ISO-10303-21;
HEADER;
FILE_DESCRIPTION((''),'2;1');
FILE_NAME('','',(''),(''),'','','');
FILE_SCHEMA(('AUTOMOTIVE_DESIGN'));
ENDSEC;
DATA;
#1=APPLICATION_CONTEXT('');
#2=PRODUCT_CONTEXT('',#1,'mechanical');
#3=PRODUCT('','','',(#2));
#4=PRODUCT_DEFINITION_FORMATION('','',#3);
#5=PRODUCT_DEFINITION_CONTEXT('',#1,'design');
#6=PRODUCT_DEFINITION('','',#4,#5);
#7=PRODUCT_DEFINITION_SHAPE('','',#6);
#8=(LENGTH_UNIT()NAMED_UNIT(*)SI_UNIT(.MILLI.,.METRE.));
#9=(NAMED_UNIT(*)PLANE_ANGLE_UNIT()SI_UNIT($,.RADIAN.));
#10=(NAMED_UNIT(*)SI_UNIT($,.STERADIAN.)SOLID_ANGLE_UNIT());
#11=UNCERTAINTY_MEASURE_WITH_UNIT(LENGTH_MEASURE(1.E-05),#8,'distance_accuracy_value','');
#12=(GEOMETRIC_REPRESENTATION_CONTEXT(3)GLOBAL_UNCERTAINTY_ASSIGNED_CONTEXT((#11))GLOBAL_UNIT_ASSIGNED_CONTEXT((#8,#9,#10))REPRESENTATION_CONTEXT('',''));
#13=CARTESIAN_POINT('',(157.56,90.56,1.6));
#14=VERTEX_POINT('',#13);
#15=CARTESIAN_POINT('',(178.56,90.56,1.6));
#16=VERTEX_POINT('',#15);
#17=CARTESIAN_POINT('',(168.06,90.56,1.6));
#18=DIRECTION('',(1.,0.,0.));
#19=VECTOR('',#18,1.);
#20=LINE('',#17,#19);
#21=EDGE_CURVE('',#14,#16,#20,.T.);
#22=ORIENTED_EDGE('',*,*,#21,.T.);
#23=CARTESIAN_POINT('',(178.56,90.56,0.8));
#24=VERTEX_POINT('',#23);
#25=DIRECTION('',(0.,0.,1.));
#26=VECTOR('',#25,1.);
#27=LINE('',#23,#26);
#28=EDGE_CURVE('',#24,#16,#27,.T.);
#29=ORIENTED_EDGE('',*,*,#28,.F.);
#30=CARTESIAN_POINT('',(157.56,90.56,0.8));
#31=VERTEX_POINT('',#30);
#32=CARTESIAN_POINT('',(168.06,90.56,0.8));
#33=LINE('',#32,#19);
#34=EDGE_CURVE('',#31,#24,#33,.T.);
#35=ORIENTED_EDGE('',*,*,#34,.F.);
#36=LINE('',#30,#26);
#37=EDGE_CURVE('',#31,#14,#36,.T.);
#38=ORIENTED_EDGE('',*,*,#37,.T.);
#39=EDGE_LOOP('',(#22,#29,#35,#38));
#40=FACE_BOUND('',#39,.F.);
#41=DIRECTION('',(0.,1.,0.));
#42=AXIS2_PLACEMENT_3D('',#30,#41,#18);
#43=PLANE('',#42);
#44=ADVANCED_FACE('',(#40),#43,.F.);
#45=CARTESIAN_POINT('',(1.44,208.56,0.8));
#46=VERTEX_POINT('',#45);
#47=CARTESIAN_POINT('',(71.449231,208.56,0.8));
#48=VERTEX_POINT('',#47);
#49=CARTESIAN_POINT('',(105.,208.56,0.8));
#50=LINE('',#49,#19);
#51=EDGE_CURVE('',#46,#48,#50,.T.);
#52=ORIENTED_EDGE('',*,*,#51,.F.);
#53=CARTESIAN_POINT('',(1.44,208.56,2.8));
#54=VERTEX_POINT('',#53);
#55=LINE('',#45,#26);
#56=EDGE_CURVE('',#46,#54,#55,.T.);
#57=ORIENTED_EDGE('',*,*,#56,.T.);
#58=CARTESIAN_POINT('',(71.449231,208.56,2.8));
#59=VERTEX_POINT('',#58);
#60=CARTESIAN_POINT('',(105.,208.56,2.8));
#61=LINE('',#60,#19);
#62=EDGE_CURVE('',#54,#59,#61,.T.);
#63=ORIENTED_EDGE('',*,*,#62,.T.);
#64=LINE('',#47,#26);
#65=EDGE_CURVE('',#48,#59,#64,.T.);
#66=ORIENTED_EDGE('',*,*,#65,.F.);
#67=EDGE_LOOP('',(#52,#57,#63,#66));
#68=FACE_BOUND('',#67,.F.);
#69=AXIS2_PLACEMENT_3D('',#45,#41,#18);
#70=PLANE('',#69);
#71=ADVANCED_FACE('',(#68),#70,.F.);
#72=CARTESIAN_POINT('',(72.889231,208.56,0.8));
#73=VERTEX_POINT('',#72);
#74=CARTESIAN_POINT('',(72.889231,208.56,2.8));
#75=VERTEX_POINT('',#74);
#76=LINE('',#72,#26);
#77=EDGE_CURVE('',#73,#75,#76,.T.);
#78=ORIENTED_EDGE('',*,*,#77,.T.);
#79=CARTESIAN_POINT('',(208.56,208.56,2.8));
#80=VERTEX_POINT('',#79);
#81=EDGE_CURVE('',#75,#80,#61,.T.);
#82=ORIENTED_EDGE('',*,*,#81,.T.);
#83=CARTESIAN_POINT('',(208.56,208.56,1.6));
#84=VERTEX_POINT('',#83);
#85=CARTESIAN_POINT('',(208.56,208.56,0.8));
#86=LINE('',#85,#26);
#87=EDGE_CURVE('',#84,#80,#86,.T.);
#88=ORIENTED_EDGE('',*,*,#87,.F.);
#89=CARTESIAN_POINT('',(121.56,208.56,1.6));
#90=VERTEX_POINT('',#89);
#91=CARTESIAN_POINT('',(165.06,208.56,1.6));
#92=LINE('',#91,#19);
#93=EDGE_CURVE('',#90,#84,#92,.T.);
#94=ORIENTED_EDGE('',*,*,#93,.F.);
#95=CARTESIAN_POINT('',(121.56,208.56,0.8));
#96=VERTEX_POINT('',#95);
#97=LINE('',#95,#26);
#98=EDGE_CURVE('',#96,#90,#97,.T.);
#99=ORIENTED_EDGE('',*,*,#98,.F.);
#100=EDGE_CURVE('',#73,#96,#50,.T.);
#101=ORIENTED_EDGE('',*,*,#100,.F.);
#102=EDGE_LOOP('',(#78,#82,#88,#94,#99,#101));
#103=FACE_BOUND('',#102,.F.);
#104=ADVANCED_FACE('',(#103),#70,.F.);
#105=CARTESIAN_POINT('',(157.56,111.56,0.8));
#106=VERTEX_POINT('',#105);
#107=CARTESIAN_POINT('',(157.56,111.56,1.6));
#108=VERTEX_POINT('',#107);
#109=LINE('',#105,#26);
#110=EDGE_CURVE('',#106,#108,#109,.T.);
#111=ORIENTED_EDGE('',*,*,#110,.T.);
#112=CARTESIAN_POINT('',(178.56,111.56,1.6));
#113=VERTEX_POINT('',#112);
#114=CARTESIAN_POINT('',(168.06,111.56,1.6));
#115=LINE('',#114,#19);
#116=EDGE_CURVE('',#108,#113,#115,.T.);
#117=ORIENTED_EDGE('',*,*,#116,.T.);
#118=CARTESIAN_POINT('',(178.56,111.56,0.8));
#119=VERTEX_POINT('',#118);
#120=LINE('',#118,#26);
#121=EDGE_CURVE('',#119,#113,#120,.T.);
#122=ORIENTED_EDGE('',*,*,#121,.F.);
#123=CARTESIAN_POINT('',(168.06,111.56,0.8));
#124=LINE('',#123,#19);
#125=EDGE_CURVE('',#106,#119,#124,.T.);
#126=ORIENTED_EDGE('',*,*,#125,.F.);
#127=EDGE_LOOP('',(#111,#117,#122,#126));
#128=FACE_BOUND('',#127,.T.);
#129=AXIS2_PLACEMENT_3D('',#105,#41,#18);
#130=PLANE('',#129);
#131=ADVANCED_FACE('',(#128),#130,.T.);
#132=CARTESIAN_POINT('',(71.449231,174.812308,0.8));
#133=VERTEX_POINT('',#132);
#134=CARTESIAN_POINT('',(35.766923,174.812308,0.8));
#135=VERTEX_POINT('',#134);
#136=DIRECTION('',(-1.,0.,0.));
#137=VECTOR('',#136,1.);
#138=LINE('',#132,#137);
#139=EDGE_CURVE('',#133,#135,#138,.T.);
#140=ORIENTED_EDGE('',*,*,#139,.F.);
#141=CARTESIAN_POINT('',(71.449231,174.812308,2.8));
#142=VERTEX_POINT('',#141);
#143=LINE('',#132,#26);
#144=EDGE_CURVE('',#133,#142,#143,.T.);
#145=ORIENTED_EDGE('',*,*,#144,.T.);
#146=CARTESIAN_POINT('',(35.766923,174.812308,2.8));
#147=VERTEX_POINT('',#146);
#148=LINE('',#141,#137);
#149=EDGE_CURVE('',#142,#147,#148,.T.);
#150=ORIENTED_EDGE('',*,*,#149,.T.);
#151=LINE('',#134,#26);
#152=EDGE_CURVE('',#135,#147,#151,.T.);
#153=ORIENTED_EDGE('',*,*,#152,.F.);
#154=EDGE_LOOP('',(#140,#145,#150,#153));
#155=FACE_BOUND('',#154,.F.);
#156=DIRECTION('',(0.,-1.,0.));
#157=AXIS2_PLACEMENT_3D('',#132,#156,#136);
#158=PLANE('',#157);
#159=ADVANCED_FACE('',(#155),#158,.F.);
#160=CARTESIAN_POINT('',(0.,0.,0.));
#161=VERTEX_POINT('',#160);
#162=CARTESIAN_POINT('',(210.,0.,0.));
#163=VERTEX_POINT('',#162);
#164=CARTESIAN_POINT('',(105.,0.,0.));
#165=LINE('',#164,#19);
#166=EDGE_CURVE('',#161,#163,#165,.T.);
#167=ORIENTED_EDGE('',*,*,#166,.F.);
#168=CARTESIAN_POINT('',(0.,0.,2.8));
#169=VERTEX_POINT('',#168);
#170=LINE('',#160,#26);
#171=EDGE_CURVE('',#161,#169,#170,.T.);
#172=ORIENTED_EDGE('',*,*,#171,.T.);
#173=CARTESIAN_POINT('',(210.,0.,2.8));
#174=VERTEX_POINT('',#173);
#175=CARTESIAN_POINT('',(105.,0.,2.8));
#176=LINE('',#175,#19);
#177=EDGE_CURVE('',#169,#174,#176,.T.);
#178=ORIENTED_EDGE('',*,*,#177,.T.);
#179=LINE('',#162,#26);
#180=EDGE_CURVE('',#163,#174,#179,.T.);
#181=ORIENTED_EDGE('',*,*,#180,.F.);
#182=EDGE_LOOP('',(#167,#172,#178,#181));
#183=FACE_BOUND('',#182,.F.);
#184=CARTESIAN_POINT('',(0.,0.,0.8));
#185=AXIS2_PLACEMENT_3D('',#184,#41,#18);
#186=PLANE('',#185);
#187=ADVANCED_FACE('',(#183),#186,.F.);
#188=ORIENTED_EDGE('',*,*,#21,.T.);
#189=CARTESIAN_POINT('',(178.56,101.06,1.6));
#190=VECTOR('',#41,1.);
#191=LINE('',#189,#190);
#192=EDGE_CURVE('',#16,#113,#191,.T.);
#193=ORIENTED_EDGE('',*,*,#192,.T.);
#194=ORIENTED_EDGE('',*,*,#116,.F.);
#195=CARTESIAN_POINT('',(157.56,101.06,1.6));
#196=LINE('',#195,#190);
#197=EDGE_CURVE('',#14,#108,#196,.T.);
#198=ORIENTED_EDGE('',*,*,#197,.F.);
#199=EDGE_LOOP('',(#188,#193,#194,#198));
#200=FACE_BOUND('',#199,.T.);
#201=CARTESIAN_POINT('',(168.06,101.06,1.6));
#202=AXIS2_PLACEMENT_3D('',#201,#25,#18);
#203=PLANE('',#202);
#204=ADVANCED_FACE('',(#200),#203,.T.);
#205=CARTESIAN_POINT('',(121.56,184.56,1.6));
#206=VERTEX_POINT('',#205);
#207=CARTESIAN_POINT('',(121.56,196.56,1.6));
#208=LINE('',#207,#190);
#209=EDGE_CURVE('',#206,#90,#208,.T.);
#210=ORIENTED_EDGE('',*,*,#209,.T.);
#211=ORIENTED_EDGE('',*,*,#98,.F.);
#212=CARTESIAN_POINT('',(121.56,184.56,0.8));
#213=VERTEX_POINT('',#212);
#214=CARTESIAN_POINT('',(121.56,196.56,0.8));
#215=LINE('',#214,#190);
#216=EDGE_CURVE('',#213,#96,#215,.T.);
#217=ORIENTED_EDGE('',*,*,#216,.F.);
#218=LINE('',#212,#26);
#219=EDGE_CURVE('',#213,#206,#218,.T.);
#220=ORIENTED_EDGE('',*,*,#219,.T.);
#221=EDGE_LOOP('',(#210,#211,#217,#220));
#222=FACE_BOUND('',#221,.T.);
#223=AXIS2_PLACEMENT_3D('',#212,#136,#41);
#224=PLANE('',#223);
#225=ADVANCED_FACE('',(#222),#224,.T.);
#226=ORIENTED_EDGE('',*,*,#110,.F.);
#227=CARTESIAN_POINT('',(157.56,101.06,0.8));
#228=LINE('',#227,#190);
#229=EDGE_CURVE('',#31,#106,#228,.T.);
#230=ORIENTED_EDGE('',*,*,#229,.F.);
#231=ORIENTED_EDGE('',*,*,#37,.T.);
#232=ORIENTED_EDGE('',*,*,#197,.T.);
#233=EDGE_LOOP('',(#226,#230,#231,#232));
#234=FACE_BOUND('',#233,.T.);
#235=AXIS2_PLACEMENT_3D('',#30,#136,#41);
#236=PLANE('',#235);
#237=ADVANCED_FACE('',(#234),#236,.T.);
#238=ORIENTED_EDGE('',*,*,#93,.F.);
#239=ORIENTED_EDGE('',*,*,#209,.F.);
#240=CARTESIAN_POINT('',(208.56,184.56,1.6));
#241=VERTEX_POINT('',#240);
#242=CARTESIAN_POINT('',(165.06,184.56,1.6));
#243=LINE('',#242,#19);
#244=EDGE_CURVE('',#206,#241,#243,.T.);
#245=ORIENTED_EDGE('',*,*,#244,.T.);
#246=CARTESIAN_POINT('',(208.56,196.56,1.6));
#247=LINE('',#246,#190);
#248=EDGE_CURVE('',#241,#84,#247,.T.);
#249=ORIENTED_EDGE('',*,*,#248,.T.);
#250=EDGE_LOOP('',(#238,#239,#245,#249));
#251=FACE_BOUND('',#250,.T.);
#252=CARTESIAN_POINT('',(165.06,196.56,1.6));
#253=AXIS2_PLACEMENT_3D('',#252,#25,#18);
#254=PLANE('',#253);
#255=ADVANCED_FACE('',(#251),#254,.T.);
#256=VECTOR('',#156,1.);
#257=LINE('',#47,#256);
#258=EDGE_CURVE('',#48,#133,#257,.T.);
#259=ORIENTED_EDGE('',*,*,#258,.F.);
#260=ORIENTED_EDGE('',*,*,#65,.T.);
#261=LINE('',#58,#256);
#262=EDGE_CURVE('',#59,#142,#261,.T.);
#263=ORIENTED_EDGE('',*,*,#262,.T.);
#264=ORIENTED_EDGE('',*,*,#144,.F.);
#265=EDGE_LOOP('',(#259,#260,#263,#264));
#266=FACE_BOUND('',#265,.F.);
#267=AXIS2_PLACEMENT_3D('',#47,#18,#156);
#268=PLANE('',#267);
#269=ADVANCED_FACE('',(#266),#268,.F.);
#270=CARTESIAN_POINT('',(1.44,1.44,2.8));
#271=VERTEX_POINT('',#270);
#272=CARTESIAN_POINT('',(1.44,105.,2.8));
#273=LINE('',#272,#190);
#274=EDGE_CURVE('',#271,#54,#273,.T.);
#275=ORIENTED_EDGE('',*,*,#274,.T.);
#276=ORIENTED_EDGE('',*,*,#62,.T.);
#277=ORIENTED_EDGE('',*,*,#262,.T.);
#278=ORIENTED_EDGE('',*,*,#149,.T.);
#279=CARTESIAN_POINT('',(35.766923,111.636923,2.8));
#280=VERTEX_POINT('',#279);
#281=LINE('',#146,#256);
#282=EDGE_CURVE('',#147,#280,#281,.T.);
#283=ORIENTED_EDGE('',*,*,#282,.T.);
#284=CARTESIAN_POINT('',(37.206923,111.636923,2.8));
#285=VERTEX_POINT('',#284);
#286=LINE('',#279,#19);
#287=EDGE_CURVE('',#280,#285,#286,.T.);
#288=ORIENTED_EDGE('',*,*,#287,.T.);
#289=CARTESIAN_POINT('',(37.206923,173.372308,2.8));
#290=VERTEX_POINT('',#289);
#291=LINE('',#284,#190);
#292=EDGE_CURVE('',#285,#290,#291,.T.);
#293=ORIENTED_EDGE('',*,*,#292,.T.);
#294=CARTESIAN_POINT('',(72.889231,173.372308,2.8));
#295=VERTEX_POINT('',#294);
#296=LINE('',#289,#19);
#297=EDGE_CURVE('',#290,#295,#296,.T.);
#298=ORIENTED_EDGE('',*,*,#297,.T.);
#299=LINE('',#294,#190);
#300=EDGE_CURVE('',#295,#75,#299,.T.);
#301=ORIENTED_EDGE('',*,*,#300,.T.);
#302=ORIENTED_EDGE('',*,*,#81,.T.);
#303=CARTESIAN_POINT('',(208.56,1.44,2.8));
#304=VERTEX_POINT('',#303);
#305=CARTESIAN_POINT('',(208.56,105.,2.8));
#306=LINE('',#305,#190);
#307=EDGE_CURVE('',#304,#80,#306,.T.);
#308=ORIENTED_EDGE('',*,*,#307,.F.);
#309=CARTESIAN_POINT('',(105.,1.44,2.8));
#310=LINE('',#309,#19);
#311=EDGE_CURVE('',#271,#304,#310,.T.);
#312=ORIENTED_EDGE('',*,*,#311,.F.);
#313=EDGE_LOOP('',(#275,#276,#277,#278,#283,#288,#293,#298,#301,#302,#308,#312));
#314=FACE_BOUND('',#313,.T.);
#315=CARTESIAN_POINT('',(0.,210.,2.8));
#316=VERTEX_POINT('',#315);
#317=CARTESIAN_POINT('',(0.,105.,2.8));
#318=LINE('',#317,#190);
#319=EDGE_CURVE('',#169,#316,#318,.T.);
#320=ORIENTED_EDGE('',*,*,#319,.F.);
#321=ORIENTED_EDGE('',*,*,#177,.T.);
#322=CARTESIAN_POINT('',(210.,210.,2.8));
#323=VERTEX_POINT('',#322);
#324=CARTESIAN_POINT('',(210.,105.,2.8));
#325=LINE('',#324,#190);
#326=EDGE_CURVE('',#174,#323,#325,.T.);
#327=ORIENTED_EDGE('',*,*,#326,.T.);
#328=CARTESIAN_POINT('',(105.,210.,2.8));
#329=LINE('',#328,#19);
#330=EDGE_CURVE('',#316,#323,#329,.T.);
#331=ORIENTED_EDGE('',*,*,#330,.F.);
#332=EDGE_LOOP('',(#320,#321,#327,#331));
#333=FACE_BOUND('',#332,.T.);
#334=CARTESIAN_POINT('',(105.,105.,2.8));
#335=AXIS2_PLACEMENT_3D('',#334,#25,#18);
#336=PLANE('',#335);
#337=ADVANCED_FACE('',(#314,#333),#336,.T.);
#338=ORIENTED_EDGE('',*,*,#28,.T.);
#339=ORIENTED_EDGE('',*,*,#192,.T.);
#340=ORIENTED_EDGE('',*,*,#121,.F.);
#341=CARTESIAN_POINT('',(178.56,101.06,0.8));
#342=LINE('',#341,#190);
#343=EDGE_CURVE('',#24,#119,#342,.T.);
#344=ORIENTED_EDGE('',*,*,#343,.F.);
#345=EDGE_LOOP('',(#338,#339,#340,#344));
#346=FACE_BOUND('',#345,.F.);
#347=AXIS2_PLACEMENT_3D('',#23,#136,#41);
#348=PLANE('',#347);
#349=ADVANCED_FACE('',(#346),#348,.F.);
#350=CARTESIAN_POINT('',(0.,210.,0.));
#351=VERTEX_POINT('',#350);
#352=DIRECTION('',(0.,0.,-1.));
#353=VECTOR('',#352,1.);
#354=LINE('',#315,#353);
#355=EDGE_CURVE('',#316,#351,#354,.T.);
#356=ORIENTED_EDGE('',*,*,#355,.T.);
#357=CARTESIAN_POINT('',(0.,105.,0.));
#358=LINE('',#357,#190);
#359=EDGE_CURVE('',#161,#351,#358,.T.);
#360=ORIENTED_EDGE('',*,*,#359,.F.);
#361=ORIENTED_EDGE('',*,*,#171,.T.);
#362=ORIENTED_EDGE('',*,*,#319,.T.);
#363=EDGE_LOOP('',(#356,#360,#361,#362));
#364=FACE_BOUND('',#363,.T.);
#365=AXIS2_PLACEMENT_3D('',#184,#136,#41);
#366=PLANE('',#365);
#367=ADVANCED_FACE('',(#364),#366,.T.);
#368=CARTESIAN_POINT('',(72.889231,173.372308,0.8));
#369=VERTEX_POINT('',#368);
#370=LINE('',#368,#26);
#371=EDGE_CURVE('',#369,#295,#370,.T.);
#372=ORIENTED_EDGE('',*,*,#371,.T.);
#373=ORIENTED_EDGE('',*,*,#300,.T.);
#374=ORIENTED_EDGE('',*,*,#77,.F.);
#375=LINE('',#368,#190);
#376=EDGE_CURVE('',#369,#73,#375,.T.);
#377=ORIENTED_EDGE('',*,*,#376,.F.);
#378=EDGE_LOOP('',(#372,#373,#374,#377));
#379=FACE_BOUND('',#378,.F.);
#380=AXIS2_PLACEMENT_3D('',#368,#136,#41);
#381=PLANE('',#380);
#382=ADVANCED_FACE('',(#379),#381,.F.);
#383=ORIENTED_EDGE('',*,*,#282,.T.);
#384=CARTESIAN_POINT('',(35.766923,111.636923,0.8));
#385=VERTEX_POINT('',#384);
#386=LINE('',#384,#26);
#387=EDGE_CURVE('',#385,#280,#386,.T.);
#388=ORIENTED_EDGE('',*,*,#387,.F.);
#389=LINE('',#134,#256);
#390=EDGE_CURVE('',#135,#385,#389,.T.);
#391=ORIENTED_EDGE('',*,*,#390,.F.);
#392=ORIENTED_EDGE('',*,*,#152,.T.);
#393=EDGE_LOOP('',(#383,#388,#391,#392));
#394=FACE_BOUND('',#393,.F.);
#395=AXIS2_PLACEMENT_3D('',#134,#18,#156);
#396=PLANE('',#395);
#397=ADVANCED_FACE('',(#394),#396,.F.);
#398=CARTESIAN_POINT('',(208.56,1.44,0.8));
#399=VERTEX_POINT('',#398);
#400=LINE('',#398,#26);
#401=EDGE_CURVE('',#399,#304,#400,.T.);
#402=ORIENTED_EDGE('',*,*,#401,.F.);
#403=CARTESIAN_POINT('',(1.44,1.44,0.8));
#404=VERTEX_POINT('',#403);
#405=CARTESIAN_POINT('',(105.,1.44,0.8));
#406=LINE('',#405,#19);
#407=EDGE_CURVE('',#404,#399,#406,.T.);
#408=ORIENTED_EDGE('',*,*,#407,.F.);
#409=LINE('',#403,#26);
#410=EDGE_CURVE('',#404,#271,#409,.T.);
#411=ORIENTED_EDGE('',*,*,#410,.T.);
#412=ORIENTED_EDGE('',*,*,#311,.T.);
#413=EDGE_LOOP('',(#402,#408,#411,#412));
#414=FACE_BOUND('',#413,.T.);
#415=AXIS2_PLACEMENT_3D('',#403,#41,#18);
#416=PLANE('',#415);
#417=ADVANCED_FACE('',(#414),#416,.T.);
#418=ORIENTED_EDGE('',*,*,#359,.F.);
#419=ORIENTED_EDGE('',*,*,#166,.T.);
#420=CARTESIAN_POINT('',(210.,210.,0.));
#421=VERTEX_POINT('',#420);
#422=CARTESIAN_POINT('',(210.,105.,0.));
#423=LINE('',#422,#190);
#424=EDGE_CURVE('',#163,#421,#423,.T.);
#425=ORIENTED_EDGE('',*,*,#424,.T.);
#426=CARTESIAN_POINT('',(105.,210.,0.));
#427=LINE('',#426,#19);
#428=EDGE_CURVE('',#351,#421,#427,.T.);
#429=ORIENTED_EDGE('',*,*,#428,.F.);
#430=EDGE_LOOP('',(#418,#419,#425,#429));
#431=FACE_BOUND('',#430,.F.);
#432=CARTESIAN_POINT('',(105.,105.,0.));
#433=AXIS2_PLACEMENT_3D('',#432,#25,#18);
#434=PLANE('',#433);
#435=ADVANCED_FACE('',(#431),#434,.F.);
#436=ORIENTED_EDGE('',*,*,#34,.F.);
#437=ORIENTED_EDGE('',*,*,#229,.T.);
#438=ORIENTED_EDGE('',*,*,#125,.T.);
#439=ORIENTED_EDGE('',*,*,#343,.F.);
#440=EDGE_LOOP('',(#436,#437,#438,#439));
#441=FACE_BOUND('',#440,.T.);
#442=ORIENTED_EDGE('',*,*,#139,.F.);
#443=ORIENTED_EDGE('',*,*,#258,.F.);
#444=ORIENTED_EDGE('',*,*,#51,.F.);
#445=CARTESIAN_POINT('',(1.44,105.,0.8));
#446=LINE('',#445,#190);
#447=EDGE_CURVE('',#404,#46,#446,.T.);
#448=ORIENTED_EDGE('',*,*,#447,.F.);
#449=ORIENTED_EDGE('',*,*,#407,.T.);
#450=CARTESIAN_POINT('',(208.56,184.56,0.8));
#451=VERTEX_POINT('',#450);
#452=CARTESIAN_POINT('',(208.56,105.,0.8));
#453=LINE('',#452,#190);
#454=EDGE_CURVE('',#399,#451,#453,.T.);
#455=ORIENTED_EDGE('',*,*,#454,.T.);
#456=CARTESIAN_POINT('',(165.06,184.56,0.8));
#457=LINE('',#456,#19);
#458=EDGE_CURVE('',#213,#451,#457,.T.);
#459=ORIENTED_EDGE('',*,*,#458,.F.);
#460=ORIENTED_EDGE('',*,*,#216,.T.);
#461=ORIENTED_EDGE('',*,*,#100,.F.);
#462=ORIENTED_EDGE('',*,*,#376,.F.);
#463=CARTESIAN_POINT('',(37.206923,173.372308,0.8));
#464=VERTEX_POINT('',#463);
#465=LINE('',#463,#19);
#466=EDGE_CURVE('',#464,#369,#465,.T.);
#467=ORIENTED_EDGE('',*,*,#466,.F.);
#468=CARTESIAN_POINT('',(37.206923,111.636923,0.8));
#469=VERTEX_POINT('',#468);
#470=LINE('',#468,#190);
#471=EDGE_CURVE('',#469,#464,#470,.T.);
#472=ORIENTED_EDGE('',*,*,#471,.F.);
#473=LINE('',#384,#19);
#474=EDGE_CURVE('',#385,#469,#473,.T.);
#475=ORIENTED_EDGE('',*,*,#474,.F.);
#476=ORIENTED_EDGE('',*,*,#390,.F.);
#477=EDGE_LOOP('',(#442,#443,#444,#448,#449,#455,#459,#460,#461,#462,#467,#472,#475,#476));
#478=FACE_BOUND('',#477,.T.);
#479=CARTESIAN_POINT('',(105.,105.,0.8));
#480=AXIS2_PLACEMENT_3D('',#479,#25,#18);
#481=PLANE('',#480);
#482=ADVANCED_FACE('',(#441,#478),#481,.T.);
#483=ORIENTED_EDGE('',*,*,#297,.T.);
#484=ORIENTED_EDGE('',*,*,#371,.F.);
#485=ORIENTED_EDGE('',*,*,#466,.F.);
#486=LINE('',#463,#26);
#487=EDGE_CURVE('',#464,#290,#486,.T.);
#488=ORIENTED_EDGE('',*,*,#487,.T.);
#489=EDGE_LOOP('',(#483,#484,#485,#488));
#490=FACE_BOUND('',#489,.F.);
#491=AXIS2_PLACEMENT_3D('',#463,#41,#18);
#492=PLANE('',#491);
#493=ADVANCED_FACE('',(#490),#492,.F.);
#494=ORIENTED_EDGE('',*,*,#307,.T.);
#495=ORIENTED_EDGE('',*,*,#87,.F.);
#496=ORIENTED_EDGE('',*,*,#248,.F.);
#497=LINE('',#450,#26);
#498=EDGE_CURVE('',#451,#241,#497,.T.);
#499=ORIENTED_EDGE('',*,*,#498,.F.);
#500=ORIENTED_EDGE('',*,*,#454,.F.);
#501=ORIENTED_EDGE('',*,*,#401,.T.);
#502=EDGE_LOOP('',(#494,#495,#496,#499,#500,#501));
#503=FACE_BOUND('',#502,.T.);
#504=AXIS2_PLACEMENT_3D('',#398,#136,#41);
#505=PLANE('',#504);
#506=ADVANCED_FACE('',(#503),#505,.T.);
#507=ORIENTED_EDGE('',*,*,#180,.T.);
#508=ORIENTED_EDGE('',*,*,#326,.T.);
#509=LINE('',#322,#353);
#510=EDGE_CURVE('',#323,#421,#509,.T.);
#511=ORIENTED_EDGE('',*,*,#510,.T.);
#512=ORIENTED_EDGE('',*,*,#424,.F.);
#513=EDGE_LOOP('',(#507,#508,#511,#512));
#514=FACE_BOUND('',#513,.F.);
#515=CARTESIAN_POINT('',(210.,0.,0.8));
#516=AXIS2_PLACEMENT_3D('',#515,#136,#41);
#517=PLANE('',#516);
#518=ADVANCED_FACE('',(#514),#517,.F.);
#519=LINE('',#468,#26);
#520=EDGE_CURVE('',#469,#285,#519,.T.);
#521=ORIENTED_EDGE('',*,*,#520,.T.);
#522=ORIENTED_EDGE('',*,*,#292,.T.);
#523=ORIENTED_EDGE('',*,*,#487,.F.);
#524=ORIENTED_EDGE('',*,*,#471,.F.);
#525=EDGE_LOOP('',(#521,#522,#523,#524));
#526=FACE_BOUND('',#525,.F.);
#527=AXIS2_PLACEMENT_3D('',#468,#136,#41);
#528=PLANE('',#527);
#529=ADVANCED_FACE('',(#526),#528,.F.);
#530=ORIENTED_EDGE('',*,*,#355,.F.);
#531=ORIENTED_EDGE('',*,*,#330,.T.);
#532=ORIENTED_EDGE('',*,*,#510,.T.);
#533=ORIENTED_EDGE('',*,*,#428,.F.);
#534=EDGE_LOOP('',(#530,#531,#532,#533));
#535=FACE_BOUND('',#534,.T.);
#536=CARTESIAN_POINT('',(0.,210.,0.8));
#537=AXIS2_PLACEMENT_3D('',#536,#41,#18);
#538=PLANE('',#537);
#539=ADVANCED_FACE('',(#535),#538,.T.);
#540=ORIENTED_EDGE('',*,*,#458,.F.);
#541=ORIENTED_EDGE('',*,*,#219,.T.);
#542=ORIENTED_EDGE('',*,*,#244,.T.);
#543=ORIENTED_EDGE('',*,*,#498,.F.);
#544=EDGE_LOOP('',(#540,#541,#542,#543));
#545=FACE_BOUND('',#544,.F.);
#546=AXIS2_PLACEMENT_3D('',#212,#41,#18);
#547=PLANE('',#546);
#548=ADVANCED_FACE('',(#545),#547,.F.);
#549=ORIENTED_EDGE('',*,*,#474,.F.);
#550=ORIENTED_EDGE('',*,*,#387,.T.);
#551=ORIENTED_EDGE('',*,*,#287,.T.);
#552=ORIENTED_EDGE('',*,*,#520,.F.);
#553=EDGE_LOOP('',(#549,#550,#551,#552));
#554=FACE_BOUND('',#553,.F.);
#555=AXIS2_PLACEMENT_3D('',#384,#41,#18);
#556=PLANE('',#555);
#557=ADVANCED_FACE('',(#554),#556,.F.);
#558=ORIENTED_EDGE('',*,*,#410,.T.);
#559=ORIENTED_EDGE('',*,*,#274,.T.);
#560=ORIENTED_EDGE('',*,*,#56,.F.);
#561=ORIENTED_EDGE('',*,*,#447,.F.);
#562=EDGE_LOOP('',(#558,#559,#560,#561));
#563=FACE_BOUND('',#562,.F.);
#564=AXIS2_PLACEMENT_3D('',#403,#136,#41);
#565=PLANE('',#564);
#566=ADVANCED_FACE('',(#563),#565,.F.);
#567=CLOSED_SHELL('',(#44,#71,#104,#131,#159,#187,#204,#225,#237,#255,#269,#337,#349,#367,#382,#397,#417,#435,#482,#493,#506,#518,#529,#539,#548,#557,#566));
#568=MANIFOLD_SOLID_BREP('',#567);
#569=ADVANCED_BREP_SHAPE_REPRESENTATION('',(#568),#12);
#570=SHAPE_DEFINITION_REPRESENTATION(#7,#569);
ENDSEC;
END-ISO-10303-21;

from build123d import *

# Parameters (mm, degrees)
F0_W     = 210
F0_H     = 210
F1_DEPTH = 0.8
F2_W     = 210
F2_H     = 210
F2_W_2   = 207.12
F2_H_2   = 207.12
F3_DEPTH = 2
F5_DEPTH = 2
F6_W     = 87
F6_H     = 24
F6_W_2   = 21
F6_H_2   = 21
F7_DEPTH = 0.8


with BuildPart() as f1:
    # F0 (on Top) → F1 (new body)
    with BuildSketch(Plane.XY):
        with Locations((105, 105)):
            Rectangle(F0_W, F0_H)
    extrude(amount=F1_DEPTH)

    # F2 (on face) → F3 (join)
    with BuildSketch(Plane.XY.offset(0.8)):
        with Locations((105, 105)):
            Rectangle(F2_W, F2_H)
        with Locations((105, 105)):
            Rectangle(F2_W_2, F2_H_2, mode=Mode.SUBTRACT)
    extrude(amount=F3_DEPTH)

    # F4 (on face) → F5 (join, through all)
    with BuildSketch(Plane.XY.offset(0.8)):
        Polygon((72.889231, 173.372308), (72.889231, 208.56), (71.449231, 208.56), (71.449231, 174.812308), (35.766923, 174.812308), (35.766923, 111.636923), (37.206923, 111.636923), (37.206923, 173.372308), align=None)
    extrude(amount=F5_DEPTH)

    # F6 (on face) → F7 (join)
    with BuildSketch(Plane.XY.offset(0.8)):
        with Locations((165.06, 196.56)):
            Rectangle(F6_W, F6_H)
        with Locations((168.06, 101.06)):
            Rectangle(F6_W_2, F6_H_2)
    extrude(amount=F7_DEPTH)


solid = f1.part
